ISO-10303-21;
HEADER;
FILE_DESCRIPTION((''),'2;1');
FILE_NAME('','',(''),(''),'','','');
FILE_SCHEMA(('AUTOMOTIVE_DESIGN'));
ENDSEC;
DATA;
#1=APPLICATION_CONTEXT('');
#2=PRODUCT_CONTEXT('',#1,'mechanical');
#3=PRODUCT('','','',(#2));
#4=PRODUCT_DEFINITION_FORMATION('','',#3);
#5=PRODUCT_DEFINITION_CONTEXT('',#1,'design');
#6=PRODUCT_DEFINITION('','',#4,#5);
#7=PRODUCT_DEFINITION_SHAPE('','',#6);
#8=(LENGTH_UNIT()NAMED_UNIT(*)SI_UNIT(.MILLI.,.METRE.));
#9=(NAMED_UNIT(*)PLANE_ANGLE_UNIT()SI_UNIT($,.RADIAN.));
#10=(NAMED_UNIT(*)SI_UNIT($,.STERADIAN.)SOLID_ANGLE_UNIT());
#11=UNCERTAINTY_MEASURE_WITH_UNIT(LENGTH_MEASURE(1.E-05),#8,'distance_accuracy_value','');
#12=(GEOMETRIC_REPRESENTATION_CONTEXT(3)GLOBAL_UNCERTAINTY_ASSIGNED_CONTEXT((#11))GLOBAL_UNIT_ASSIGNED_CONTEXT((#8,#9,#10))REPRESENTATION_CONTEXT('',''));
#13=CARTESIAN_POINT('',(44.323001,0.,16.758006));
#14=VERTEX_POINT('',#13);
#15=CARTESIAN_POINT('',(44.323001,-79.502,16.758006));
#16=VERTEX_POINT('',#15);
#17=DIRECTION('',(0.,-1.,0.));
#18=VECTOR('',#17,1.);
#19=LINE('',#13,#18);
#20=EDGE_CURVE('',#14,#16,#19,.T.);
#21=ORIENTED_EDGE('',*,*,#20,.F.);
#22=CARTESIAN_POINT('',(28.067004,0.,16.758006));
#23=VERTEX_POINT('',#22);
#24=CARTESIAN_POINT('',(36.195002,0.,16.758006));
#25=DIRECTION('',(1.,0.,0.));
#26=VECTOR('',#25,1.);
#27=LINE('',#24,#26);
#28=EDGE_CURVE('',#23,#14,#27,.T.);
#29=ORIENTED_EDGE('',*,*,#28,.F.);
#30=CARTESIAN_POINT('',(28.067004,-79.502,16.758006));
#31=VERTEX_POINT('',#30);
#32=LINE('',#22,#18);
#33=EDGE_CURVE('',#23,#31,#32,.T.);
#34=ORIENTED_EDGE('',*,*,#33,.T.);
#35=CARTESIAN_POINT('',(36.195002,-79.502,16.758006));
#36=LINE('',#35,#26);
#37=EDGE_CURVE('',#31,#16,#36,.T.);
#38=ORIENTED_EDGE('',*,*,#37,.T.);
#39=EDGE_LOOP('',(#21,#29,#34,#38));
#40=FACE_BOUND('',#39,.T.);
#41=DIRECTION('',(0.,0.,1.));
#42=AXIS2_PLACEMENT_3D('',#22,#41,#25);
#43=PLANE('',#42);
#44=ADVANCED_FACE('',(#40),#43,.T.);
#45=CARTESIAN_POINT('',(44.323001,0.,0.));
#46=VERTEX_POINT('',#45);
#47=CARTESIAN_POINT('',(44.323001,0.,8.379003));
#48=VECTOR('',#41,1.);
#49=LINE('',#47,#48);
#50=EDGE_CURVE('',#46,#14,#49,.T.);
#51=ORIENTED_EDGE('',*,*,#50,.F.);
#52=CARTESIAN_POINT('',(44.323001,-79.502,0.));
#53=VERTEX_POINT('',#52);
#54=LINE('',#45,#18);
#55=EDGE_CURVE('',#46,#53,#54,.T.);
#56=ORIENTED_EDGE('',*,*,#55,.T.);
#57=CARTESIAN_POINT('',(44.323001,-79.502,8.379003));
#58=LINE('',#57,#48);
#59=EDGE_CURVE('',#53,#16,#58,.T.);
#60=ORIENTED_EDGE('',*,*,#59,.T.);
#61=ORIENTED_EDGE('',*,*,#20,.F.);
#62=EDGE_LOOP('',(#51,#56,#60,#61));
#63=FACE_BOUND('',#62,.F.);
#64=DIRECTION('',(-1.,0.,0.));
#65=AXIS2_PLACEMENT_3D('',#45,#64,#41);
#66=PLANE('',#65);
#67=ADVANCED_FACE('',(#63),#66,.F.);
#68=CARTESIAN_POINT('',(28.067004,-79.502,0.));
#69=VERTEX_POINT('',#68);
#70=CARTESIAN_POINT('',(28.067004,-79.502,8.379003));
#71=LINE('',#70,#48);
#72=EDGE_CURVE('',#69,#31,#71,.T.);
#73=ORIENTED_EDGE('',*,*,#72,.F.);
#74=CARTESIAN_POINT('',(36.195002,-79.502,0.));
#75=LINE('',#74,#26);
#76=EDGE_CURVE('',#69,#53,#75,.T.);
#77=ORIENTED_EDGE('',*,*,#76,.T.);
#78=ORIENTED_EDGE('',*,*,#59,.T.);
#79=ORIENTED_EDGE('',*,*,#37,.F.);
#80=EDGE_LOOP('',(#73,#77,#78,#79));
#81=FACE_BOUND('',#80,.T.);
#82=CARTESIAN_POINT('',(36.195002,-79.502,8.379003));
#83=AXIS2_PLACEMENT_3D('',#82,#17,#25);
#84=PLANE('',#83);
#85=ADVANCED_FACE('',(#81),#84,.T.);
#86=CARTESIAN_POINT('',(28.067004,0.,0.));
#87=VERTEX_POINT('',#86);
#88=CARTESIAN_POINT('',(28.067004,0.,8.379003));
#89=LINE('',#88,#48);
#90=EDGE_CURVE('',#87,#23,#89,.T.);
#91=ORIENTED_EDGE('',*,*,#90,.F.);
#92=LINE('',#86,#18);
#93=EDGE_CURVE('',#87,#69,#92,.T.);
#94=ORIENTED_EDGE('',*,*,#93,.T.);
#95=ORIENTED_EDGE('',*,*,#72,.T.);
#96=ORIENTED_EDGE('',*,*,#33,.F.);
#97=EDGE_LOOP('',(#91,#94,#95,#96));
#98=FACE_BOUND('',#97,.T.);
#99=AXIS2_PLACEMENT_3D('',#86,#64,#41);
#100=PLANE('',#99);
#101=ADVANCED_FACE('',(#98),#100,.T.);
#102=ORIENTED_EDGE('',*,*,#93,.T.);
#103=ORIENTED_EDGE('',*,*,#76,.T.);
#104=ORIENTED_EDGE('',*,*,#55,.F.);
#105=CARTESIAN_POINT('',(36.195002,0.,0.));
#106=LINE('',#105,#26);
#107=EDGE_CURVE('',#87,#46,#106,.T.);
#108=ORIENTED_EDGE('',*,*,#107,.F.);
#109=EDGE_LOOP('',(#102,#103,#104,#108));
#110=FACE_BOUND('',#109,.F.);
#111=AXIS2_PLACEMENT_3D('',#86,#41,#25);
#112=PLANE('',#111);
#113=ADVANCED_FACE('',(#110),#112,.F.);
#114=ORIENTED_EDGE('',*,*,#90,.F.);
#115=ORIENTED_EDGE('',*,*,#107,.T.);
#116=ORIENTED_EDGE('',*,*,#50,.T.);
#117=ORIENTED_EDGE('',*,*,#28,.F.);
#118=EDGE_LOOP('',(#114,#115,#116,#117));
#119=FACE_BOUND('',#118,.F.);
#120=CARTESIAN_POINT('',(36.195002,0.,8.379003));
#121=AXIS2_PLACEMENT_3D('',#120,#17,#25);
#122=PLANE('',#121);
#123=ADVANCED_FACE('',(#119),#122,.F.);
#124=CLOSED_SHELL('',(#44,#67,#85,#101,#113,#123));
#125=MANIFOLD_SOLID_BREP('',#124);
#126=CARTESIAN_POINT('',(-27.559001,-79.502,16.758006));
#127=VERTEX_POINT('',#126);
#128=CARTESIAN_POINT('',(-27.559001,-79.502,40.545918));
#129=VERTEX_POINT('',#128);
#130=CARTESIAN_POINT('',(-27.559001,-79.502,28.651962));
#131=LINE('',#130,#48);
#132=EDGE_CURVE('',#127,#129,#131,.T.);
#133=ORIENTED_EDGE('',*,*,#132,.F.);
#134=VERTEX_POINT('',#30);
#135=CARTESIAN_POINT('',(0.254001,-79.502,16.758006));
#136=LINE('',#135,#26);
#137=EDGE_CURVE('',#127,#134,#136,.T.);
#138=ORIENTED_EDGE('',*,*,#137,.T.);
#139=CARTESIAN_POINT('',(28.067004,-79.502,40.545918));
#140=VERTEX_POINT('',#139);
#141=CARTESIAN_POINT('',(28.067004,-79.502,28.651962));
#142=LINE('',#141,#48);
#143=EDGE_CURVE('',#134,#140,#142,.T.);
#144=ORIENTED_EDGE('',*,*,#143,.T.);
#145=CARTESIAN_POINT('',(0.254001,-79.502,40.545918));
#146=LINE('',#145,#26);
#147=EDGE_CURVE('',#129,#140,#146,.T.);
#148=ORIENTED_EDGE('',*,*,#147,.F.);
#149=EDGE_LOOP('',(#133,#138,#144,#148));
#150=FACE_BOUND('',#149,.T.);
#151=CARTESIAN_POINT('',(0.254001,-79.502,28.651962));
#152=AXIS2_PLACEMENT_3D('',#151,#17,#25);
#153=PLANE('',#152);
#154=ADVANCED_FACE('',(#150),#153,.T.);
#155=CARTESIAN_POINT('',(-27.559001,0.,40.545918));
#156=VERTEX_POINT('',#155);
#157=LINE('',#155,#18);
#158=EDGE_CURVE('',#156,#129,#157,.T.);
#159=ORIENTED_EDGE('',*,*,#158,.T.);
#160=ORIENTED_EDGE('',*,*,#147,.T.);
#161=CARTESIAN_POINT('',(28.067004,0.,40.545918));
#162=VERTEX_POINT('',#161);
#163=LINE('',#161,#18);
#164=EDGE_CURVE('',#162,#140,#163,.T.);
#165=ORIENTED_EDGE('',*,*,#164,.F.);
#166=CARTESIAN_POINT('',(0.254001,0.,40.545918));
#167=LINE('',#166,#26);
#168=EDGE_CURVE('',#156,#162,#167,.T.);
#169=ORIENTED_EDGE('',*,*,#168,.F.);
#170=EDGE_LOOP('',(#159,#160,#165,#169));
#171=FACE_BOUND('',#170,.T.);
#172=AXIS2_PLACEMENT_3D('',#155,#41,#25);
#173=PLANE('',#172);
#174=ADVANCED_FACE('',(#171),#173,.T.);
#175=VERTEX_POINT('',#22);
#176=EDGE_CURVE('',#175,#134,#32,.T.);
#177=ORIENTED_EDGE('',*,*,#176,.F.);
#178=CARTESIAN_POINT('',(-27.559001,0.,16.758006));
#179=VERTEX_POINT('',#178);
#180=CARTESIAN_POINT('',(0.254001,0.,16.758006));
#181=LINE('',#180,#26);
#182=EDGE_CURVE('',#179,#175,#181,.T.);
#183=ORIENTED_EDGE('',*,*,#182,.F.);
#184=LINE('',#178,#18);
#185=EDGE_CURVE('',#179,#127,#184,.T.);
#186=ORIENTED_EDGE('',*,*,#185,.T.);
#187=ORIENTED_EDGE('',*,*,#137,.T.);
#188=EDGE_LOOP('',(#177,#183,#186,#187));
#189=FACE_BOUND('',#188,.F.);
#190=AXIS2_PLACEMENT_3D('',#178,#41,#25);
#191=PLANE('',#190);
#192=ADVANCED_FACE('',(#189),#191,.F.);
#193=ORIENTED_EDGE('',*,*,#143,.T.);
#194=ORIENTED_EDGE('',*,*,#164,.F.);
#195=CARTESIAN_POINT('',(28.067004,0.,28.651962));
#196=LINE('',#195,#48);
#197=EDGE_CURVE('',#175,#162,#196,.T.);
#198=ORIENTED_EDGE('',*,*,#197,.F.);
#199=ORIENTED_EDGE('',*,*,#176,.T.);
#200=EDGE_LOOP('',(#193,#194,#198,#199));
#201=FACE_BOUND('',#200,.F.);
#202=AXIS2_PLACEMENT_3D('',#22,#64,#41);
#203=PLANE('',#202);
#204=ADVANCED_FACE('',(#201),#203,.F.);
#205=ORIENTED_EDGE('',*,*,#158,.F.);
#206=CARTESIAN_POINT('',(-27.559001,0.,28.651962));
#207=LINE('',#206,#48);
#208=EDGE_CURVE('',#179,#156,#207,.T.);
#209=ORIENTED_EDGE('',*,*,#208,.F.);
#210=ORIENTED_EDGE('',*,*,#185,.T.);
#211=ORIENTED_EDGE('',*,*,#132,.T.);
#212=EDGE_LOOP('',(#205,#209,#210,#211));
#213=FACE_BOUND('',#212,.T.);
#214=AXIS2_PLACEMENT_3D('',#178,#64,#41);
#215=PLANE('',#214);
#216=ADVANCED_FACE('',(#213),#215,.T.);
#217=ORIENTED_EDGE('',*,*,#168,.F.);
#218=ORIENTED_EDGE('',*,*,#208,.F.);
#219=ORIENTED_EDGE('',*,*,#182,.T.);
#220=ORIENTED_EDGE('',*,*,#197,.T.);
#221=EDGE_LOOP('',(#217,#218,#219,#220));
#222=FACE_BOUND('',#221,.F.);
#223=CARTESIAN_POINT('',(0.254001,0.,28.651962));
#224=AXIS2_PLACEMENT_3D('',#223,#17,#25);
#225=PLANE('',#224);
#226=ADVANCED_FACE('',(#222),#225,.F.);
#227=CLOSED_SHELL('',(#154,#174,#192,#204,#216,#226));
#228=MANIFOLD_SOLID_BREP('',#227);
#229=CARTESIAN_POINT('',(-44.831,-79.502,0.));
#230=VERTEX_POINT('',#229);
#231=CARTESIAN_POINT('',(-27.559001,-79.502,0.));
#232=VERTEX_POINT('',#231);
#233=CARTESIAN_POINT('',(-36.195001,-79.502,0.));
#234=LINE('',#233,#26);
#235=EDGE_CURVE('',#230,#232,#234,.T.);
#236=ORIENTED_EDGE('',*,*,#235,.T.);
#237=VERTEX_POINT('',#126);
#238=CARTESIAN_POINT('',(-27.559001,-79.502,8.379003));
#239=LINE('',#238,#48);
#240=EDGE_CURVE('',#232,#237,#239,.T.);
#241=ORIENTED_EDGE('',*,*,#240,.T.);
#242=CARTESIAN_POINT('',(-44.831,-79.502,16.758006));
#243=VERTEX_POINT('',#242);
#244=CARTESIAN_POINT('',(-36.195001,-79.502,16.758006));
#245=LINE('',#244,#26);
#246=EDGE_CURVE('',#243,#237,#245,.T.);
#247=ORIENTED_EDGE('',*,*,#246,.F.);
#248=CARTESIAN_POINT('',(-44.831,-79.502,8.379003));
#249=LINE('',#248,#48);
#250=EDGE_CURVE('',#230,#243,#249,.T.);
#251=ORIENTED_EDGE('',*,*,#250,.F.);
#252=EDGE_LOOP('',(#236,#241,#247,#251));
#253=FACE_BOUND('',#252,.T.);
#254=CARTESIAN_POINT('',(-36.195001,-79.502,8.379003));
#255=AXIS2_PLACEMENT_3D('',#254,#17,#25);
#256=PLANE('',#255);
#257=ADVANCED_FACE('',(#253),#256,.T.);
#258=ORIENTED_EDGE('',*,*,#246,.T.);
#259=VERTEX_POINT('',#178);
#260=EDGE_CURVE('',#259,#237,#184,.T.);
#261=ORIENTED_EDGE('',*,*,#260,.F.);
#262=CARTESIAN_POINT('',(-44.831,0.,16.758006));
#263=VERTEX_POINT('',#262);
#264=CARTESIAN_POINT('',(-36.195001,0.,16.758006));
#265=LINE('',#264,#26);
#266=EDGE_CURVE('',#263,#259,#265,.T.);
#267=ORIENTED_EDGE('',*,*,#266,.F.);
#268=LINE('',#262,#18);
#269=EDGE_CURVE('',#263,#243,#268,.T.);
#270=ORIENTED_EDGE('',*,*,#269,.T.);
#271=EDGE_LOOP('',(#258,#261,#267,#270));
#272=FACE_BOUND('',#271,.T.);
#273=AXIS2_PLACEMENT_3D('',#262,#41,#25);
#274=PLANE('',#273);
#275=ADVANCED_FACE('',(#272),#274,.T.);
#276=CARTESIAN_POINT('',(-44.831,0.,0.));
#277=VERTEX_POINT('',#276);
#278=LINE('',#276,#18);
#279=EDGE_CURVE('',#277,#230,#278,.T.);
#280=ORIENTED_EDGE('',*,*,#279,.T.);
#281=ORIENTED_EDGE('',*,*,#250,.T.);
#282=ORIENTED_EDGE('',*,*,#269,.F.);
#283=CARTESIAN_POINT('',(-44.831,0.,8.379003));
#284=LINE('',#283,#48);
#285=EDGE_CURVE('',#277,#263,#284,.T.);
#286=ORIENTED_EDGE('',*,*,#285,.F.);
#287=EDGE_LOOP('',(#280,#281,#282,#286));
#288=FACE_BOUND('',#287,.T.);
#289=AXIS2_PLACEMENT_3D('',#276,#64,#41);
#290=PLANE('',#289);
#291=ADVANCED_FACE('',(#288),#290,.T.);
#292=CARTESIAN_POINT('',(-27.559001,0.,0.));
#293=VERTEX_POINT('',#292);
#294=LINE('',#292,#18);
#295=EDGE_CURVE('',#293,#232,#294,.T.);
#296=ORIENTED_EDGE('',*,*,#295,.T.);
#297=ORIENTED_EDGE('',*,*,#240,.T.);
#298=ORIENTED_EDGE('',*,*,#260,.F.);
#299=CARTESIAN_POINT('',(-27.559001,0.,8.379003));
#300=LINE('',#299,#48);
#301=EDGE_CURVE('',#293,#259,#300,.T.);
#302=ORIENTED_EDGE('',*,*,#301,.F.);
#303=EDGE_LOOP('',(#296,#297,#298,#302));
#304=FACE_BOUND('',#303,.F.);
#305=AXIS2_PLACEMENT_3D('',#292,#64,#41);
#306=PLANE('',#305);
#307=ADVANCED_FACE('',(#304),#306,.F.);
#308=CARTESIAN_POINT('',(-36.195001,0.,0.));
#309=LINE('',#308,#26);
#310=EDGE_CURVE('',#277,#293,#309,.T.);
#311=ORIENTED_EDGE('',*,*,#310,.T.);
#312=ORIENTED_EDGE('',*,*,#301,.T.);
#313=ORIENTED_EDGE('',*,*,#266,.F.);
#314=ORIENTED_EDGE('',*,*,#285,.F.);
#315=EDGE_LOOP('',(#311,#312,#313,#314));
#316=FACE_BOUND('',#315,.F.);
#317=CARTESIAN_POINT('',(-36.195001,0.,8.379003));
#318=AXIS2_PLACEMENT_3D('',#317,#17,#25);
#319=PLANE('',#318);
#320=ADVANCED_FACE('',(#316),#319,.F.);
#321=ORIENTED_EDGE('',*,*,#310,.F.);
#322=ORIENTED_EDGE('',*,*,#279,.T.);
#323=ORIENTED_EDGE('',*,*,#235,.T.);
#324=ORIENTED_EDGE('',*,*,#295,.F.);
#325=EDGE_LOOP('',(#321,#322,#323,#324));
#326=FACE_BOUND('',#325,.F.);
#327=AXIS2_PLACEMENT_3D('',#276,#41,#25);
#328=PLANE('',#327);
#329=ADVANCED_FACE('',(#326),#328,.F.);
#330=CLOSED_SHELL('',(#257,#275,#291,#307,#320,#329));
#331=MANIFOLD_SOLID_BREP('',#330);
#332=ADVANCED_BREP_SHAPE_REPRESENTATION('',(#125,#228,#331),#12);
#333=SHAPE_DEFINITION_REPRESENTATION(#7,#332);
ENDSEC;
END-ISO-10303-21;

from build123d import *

# Parameters (mm, degrees)
F0_W     = 17.2719992697
F0_H     = 16.7580059669
F1_DEPTH = 79.502
F0_W_2   = 55.6260049343
F0_H_2   = 23.787911917
F0_W_3   = 16.2559971213


with BuildPart() as f1:
    # F0 (on Front) → F1 (new body)
    with BuildSketch(Plane.XZ):
        with Locations((-36.1950006336, 8.3790029835)):
            Rectangle(F0_W, F0_H)
    extrude(amount=F1_DEPTH)


with BuildPart() as f1b:
    # F0 (on Front) → F1, piece 2 (new body)
    with BuildSketch(Plane.XZ):
        with Locations((0.2540014684, 28.6519619254)):
            Rectangle(F0_W_2, F0_H_2)
    extrude(amount=F1_DEPTH)


with BuildPart() as f1c:
    # F0 (on Front) → F1, piece 3 (new body)
    with BuildSketch(Plane.XZ):
        with Locations((36.1950024962, 8.3790029835)):
            Rectangle(F0_W_3, F0_H)
    extrude(amount=F1_DEPTH)


solid = Compound([f1.part, f1b.part, f1c.part])
